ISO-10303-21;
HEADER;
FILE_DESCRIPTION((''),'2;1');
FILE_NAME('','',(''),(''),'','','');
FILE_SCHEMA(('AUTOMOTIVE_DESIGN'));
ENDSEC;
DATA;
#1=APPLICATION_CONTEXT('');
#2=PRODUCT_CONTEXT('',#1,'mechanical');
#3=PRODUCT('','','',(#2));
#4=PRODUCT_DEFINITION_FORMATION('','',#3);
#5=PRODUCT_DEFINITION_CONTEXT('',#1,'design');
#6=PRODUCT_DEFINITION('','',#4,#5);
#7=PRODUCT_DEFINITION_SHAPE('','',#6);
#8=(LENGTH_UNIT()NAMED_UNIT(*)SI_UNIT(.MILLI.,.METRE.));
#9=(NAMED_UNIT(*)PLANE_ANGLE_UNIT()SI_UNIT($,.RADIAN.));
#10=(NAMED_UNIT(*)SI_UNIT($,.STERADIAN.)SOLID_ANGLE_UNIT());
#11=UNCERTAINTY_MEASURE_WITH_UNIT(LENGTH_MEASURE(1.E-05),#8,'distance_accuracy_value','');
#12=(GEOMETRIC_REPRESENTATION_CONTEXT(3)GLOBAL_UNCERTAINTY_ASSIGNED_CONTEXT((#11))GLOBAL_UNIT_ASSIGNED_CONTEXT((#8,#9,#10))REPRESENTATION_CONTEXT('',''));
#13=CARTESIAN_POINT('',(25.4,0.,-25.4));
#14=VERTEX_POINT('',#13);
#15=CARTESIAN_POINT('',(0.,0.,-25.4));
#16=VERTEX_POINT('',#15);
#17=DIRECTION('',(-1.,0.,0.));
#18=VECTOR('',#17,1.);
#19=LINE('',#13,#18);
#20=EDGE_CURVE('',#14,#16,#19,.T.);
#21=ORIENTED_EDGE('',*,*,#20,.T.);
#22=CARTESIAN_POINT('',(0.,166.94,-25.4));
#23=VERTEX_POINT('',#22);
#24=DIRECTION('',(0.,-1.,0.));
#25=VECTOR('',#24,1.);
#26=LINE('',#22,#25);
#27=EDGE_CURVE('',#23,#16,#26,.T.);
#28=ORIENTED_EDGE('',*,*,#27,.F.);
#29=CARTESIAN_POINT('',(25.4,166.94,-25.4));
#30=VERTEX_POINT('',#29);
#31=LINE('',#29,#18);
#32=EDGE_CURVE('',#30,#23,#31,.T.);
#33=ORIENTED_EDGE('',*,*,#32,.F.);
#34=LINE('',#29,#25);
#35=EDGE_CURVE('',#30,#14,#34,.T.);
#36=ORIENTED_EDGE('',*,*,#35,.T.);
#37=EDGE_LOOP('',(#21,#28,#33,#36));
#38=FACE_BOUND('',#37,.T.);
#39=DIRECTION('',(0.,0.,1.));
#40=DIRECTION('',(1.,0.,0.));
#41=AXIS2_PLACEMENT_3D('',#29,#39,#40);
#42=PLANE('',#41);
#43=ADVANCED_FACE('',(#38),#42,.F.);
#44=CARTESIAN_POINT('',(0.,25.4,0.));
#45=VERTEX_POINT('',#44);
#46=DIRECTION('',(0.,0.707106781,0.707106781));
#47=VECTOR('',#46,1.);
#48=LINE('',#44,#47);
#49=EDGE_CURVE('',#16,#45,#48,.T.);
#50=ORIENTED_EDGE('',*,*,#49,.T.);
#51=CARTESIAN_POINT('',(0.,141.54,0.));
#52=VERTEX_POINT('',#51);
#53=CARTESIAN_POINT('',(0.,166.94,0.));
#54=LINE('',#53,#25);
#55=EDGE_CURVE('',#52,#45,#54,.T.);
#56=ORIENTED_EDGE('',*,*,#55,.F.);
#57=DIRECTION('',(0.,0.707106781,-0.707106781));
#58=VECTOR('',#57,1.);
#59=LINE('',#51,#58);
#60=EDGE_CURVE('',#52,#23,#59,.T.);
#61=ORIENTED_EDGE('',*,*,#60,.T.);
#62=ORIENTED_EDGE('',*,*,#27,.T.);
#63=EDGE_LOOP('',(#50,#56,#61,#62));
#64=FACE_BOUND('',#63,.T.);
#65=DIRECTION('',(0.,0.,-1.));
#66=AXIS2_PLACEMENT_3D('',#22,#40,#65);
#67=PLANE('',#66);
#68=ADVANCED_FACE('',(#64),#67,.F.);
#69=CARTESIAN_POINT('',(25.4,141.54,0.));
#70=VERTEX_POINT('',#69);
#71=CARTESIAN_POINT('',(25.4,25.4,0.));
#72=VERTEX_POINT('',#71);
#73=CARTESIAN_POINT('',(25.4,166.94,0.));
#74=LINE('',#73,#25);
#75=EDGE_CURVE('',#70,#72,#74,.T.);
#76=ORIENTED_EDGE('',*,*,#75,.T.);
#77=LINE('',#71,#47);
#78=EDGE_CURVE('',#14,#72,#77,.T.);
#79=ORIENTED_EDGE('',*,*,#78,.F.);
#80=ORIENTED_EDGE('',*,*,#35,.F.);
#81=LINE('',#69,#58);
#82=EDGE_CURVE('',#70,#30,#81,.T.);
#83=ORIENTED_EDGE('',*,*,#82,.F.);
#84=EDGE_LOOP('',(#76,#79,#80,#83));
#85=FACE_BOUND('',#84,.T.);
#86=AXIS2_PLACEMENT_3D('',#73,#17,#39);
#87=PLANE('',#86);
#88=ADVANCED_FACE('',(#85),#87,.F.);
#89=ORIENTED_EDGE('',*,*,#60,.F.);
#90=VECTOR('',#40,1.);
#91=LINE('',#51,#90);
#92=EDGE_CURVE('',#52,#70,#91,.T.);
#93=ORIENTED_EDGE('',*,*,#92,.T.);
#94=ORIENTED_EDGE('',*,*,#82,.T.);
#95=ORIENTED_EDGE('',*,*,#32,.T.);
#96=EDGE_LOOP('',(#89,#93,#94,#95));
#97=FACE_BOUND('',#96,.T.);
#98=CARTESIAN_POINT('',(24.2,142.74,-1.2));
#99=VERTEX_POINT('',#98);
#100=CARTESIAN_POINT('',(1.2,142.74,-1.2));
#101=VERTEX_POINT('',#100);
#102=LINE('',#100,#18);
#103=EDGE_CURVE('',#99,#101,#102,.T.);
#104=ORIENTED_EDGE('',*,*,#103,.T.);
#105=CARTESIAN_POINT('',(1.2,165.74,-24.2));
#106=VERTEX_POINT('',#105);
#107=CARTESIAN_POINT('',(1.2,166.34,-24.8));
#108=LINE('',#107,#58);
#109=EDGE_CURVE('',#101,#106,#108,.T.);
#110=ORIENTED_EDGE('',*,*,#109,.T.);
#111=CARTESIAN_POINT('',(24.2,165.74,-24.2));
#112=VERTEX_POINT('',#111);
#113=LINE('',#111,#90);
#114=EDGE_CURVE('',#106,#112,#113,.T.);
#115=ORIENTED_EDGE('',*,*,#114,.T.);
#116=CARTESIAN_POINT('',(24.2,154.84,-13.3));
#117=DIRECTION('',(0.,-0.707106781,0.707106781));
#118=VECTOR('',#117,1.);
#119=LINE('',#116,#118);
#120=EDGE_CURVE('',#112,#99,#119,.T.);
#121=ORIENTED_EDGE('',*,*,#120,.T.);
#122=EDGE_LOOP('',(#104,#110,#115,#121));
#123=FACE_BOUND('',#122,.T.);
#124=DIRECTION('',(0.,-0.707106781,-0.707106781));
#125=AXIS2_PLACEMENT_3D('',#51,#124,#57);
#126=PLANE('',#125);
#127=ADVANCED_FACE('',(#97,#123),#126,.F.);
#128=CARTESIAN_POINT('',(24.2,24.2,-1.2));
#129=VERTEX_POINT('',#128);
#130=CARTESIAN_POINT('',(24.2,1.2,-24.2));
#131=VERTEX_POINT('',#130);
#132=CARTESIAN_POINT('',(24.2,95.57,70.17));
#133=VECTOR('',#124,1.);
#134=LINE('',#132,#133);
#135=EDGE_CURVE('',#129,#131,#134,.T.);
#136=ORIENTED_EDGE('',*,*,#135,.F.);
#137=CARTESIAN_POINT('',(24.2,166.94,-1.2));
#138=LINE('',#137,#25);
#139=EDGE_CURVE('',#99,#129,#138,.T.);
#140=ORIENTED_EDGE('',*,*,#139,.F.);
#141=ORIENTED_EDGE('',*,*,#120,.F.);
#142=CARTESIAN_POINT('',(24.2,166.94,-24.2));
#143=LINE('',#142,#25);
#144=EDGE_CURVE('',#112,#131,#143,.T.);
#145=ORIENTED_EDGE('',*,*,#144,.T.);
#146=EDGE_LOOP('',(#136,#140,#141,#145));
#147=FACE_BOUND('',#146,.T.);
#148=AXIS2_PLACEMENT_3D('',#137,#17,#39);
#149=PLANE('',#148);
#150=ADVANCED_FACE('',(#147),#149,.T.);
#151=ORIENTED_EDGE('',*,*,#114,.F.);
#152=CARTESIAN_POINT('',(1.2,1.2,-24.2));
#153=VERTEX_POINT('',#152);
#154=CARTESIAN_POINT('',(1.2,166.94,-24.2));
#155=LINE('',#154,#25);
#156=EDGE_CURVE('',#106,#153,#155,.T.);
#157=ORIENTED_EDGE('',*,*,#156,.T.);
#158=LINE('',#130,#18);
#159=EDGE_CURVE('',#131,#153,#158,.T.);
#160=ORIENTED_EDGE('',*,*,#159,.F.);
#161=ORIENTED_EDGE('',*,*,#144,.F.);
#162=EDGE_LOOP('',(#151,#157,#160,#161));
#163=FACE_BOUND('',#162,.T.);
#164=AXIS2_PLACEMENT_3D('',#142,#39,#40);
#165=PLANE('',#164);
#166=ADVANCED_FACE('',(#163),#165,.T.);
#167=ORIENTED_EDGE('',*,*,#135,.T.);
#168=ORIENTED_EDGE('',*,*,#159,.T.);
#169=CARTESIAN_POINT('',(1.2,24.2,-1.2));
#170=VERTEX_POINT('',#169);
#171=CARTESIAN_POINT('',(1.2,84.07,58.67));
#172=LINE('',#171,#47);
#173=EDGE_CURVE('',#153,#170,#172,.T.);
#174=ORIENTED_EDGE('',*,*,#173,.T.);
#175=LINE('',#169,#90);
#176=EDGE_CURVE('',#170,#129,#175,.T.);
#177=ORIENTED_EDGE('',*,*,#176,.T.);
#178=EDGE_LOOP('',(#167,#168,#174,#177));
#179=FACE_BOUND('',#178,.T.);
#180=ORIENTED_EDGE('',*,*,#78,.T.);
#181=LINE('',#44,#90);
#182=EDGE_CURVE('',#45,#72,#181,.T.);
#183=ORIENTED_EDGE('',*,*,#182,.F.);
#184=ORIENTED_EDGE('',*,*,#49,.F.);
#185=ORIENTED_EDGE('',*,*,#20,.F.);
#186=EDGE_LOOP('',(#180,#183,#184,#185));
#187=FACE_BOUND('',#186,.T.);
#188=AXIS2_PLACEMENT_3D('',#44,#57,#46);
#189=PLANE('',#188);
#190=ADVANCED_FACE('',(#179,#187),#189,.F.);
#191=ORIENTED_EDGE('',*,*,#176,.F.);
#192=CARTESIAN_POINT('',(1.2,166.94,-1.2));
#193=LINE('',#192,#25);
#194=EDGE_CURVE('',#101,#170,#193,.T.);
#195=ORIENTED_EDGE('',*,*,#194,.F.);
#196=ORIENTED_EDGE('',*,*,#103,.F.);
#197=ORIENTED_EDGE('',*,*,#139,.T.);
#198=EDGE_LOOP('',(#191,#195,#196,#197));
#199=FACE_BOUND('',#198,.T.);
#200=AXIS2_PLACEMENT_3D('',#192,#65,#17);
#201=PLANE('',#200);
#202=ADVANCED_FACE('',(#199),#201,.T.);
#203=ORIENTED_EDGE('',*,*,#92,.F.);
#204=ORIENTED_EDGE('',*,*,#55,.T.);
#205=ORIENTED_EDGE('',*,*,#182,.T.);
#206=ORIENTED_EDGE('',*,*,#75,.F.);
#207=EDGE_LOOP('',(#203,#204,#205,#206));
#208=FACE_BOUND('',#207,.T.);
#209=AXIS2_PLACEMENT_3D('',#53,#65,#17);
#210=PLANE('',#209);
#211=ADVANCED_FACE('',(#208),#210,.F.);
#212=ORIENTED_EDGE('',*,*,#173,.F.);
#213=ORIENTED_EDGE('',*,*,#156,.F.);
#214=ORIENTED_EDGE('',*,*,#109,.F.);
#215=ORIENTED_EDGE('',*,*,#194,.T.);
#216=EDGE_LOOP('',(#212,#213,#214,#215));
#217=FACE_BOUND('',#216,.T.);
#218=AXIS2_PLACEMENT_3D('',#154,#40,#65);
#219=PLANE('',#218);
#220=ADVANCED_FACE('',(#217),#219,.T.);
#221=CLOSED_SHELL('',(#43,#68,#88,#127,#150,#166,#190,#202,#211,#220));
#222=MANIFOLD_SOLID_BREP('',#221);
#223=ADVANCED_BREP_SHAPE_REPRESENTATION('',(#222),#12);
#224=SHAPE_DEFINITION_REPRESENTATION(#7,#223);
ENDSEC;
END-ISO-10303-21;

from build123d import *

# Parameters (mm, degrees)
SKETCH1_W           = 25.4
SKETCH1_H           = 25.4
SKETCH1_W_2         = 23
SKETCH1_H_2         = 23
BOSS_EXTRUDE1_DEPTH = 166.94
CUT_EXTRUDE1_DEPTH  = 26.4


with BuildPart() as part:
    # Sketch1 → Boss-Extrude1 (new body)
    with BuildSketch(Plane(origin=(0, 0, 0), x_dir=(1, 0, 0), z_dir=(0, 1, 0))):
        with Locations((12.7, 12.7)):
            Rectangle(SKETCH1_W, SKETCH1_H)
        with Locations((12.7, 12.7)):
            Rectangle(SKETCH1_W_2, SKETCH1_H_2, mode=Mode.SUBTRACT)
    extrude(amount=BOSS_EXTRUDE1_DEPTH)

    # Sketch2 → Cut-Extrude1 (cut, through all)
    with BuildSketch(Plane(origin=(25.4, 0, 0), x_dir=(0, 0, -1), z_dir=(1, 0, 0))):
        Polygon((25.4, 166.94), (0, 166.94), (0, 141.54), align=None)
        Polygon((0, 0), (0, 25.4), (25.4, 0), align=None)
    extrude(amount=-CUT_EXTRUDE1_DEPTH, mode=Mode.SUBTRACT)


solid = part.part
